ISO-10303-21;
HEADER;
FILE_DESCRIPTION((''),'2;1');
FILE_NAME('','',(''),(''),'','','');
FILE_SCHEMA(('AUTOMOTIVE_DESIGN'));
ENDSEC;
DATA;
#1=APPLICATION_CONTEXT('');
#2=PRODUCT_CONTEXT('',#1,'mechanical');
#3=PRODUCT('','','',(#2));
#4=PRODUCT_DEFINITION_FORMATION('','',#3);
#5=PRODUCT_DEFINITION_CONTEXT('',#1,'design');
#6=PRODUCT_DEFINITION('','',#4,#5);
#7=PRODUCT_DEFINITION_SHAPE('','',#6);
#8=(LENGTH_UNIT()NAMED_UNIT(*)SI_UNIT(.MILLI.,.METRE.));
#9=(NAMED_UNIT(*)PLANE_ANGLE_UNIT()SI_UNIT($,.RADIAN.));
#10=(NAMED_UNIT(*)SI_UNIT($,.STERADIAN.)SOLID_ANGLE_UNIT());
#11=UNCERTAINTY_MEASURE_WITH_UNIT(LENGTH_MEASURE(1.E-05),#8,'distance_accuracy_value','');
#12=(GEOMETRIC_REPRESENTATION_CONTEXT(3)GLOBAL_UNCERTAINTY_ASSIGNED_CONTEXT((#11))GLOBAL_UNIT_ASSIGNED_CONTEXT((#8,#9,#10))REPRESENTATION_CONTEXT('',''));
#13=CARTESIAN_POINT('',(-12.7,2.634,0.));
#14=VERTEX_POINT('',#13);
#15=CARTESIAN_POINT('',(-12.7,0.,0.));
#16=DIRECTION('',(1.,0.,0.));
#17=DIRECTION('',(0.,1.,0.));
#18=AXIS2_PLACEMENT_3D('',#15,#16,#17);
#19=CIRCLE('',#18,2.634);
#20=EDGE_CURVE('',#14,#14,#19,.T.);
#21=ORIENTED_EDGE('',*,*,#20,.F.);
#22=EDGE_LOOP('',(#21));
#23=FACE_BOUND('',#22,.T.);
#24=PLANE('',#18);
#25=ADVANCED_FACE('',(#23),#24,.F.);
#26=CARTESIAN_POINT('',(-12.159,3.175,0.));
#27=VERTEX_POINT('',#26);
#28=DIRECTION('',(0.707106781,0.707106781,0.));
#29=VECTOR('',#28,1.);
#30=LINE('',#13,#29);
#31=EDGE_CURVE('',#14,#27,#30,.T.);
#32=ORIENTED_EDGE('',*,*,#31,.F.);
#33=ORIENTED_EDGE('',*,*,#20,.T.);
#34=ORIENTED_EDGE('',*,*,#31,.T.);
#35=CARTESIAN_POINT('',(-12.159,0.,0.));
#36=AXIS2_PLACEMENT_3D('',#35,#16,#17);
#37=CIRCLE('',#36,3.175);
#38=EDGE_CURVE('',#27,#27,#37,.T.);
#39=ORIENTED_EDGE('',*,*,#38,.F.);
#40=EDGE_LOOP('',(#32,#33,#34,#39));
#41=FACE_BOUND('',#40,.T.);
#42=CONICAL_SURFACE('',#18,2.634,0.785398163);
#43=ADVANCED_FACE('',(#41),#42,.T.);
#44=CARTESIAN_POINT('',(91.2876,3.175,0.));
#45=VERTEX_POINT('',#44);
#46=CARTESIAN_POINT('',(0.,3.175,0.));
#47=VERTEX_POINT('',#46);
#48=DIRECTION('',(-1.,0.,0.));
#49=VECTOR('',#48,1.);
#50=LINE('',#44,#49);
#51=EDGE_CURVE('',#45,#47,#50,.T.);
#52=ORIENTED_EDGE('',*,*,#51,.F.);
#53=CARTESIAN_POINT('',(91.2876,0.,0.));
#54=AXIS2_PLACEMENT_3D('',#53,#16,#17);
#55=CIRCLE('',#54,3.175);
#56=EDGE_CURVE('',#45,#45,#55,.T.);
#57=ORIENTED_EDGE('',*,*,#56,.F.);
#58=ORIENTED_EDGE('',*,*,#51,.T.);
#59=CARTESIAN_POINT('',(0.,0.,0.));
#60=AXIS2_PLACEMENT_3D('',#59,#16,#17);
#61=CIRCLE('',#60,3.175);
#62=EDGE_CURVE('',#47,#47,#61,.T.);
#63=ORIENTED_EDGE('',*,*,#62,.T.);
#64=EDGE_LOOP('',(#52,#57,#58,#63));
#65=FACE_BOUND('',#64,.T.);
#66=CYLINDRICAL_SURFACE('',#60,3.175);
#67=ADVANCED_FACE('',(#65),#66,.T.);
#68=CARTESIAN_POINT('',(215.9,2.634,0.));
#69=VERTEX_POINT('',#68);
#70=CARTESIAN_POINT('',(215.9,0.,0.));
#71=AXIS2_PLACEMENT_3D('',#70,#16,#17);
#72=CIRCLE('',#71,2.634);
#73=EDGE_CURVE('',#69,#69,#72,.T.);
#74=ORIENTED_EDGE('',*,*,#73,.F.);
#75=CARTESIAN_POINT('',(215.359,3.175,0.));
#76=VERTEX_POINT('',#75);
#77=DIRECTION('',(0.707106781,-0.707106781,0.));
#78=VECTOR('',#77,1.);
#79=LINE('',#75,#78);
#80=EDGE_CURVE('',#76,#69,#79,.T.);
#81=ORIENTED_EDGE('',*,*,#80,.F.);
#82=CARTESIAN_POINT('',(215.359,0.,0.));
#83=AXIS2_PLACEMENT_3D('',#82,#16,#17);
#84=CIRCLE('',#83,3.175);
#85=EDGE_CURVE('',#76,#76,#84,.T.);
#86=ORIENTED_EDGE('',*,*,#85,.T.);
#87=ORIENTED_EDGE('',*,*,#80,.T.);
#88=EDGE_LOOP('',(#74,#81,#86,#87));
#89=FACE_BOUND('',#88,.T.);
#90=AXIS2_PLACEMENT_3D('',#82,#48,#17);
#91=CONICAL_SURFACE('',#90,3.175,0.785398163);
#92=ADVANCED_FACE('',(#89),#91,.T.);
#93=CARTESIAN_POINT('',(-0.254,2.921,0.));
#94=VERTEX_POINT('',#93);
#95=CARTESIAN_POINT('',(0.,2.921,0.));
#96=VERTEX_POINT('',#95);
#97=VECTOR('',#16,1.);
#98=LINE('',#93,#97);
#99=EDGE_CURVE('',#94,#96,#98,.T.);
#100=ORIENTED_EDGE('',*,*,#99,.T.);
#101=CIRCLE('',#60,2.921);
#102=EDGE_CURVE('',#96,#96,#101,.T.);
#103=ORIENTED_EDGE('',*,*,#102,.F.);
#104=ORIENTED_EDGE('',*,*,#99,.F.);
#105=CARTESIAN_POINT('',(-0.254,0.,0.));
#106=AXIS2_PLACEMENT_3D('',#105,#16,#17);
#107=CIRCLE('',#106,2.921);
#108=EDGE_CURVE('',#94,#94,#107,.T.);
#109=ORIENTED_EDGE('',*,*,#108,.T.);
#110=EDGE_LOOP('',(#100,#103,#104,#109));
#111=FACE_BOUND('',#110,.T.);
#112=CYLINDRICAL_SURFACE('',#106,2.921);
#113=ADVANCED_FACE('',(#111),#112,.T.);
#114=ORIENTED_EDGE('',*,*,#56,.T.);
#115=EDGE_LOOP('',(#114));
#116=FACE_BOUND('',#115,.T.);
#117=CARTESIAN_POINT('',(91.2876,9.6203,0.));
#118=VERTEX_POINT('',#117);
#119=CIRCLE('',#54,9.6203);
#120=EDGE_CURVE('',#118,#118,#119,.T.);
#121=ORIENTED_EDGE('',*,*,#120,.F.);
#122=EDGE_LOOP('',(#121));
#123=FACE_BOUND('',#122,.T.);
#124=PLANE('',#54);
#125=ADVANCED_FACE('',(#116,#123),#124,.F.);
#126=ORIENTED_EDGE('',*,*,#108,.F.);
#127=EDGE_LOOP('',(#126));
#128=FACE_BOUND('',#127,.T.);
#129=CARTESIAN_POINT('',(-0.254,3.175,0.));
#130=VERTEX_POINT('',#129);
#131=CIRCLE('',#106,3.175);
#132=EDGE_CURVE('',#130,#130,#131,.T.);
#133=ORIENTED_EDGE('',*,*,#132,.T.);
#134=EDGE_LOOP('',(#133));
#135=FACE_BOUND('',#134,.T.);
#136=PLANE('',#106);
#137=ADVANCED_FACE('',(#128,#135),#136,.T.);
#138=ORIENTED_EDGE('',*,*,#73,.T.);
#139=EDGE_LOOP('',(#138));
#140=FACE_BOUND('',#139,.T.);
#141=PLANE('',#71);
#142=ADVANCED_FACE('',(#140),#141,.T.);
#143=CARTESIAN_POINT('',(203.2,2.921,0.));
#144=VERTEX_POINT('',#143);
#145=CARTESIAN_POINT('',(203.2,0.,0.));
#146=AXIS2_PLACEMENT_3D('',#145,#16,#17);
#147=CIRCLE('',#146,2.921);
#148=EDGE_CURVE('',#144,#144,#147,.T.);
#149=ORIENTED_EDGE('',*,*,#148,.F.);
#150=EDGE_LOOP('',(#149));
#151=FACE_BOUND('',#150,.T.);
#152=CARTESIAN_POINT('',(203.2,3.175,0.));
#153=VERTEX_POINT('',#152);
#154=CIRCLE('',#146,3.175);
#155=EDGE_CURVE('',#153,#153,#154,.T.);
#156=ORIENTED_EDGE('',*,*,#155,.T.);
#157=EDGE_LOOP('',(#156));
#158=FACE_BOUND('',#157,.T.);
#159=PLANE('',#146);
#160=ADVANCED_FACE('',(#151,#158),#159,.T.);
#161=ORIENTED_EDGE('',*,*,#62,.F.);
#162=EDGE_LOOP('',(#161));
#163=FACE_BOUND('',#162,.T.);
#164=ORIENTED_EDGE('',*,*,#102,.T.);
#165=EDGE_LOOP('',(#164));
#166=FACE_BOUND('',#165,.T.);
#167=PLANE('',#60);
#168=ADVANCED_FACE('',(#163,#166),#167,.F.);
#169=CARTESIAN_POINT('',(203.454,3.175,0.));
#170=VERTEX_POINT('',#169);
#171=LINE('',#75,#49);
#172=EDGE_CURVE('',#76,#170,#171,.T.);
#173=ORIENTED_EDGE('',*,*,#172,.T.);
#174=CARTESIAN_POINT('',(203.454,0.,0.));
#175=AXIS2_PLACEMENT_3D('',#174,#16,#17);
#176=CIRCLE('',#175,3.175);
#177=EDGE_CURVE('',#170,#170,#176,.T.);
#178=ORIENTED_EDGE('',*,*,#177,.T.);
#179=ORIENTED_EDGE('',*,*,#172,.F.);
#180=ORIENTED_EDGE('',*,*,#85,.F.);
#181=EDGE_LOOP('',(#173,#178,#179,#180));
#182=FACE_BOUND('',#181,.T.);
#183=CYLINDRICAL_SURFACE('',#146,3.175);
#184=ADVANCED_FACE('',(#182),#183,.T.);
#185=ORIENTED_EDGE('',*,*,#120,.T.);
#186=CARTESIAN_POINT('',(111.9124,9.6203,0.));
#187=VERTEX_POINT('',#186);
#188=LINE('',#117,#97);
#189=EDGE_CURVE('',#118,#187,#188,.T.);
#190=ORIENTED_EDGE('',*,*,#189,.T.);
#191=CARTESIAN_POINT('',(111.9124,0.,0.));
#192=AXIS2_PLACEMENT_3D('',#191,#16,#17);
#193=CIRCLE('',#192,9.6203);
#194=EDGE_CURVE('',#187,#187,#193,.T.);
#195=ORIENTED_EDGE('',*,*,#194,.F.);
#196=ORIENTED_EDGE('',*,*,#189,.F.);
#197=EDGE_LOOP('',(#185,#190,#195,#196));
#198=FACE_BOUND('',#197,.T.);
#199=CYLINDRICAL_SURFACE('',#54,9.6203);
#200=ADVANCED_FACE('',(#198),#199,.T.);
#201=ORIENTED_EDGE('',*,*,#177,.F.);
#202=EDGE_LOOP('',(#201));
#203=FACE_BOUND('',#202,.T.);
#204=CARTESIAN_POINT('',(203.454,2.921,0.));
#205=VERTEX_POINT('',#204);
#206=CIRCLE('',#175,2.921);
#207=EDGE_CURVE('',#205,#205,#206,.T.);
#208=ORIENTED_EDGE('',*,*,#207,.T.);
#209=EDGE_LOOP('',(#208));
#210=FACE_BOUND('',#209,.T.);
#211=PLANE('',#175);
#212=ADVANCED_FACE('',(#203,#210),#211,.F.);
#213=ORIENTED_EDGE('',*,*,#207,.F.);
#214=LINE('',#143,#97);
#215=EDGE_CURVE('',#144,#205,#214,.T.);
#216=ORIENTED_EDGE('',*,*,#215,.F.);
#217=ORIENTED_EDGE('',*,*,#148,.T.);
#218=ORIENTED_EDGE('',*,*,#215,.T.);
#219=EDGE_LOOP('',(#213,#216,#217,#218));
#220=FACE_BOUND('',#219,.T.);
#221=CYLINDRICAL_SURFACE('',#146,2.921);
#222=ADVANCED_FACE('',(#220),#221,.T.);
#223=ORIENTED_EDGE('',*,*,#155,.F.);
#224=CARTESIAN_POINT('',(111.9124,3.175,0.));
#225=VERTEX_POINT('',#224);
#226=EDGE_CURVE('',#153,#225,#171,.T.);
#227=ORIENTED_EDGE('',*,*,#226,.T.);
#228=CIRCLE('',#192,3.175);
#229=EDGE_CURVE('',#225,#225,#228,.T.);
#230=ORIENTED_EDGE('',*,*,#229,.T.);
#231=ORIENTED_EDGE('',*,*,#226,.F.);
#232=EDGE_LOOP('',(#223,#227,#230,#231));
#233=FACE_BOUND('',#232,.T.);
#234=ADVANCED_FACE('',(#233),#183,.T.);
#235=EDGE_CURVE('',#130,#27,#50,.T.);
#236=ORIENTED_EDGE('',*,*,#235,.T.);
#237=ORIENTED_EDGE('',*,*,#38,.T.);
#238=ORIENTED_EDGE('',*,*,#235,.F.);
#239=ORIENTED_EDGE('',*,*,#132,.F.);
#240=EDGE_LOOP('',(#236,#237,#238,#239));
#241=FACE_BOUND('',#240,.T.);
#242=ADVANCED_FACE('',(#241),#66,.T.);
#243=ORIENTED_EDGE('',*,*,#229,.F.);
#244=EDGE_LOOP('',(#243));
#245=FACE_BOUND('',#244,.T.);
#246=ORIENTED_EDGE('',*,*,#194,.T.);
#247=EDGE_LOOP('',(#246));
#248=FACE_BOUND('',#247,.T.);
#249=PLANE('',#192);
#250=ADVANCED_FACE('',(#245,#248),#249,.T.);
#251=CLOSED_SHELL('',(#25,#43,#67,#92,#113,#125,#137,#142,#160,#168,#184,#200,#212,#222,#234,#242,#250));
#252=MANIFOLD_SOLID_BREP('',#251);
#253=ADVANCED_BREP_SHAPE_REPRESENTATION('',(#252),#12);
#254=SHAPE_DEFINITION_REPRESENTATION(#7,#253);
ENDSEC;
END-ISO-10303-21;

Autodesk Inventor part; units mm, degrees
sketch "Sketch_1" plane through (0, 0, 0) normal (0, 0, 1) x (1, 0, 0)
  line L0 (111.9124, 0) -> (0, 0)
  line L1 (0, 0) -> (0, 3.175)
  line L2 (0, 3.175) -> (91.2876, 3.175)
  line L3 (91.2876, 3.175) -> (91.2876, 9.6203)
  line L4 (91.2876, 9.6203) -> (111.9124, 9.6203)
  line L5 (111.9124, 9.6203) -> (111.9124, 0)
  line L6 (111.9124, 0) -> (0, 0)
revolve "Revolution1" add sketch "Sketch_1" angle 360 about axis through (111.9124, 0, 0) along (1, 0, 0)
sketch "Sketch_3" plane through (0, 0, 0) normal (0, 0, 1) x (1, 0, 0)
  line L0 (0, 0) -> (-12.7, 0)
  line L1 (-12.7, 0) -> (-12.7, 2.634)
  line L2 (-12.7, 2.634) -> (-12.159, 3.175)
  line L3 (-12.159, 3.175) -> (0, 3.175)
  line L4 (0, 3.175) -> (0, 0)
  line L5 (0, 0) -> (-12.7, 0)
revolve "Revolution2" add sketch "Sketch_3" angle 360 about axis through (0, 0, 0) along (1, 0, 0)
sketch "Sketch_6" plane through (0, 0, 0) normal (0, 0, 1) x (1, 0, 0)
  line L0 (203.2, 0) -> (111.9124, 0)
  line L1 (111.9124, 0) -> (111.9124, 3.175)
  line L2 (111.9124, 3.175) -> (203.2, 3.175)
  line L3 (203.2, 3.175) -> (203.2, 0)
  line L4 (203.2, 0) -> (111.9124, 0)
revolve "Revolution3" add sketch "Sketch_6" angle 360 about axis through (203.2, 0, 0) along (1, 0, 0)
sketch "Sketch_7" plane through (0, 0, 0) normal (0, 0, 1) x (1, 0, 0)
  line L0 (215.9, 0) -> (203.2, 0)
  line L1 (203.2, 0) -> (203.2, 3.175)
  line L2 (203.2, 3.175) -> (215.359, 3.175)
  line L3 (215.359, 3.175) -> (215.9, 2.634)
  line L4 (215.9, 2.634) -> (215.9, 0)
  line L5 (215.9, 0) -> (203.2, 0)
revolve "Revolution4" add sketch "Sketch_7" angle 360 about axis through (215.9, 0, 0) along (1, 0, 0)
sketch "Sketch_30" plane through (0, 0, 0) normal (0, 0, 1) x (1, 0, 0)
  line L0 (0, 0) -> (-0.254, 0)
  line L1 (-0.254, 3.429) -> (-0.254, 2.921)
  line L2 (-0.254, 2.921) -> (0, 2.921)
  line L3 (0, 2.921) -> (0, 3.429)
  line L4 (0, 3.429) -> (-0.254, 3.429)
revolve "Revolution5" cut sketch "Sketch_30" angle 360 about axis through (0, 0, 0) along (1, 0, 0)
sketch "Sketch_40" plane through (0, 0, 0) normal (0, 0, 1) x (1, 0, 0)
  line L0 (203.454, 0) -> (203.2, 0)
  line L1 (203.2, 3.429) -> (203.2, 2.921)
  line L2 (203.2, 2.921) -> (203.454, 2.921)
  line L3 (203.454, 2.921) -> (203.454, 3.429)
  line L4 (203.454, 3.429) -> (203.2, 3.429)
revolve "Revolution6" cut sketch "Sketch_40" angle 360 about axis through (203.454, 0, 0) along (1, 0, 0)
ref_plane "rod_cp_XY" through (0, 0, 0) normal (1, 0, 0) x (0, 0, -1)
ref_plane "rod_cp_YZ" through (0, 0, 0) normal (0, 0, -1) x (0, 1, 0)
ref_plane "rod_cp_ZX" through (0, 0, 0) normal (0, 1, 0) x (1, 0, 0)
ref_plane "to_rod_clevis_XY" through (-12.7, 0, 0) normal (1, 0, 0) x (0, 0, -1)
ref_plane "to_rod_clevis_YZ" through (-12.7, 0, 0) normal (0, 0, -1) x (0, 1, 0)
ref_plane "to_rod_clevis_ZX" through (-12.7, 0, 0) normal (0, 1, 0) x (1, 0, 0)
ref_plane "rl2_XY" through (0, 0, 0) normal (1, 0, 0) x (0, 0, -1)
ref_plane "rl2_YZ" through (0, 0, 0) normal (0, 0, -1) x (0, 1, 0)
ref_plane "rl2_ZX" through (0, 0, 0) normal (0, 1, 0) x (1, 0, 0)
ref_plane "rl1_XY" through (-12.7, 0, 0) normal (1, 0, 0) x (0, 0, -1)
ref_plane "rl1_YZ" through (-12.7, 0, 0) normal (0, 0, -1) x (0, 1, 0)
ref_plane "rl1_ZX" through (-12.7, 0, 0) normal (0, 1, 0) x (1, 0, 0)
ref_plane "rl1_der_XY" through (215.9, 0, 0) normal (1, 0, 0) x (0, 0, -1)
ref_plane "rl1_der_YZ" through (215.9, 0, 0) normal (0, 0, -1) x (0, 1, 0)
ref_plane "rl1_der_ZX" through (215.9, 0, 0) normal (0, 1, 0) x (1, 0, 0)
ref_plane "rl2_der_XY" through (203.2, 0, 0) normal (1, 0, 0) x (0, 0, -1)
ref_plane "rl2_der_YZ" through (203.2, 0, 0) normal (0, 0, -1) x (0, 1, 0)
ref_plane "rl2_der_ZX" through (203.2, 0, 0) normal (0, 1, 0) x (1, 0, 0)
ref_plane "thd1_XY" through (-12.7, 3.175, 0) normal (1, 0, 0) x (0, 0, -1)
ref_plane "thd1_YZ" through (-12.7, 3.175, 0) normal (0, 0, -1) x (0, 1, 0)
ref_plane "thd1_ZX" through (-12.7, 3.175, 0) normal (0, 1, 0) x (1, 0, 0)
ref_plane "thd2_XY" through (-12.7, -3.175, 0) normal (1, 0, 0) x (0, 0, -1)
ref_plane "thd2_YZ" through (-12.7, -3.175, 0) normal (0, 0, -1) x (0, 1, 0)
ref_plane "thd2_ZX" through (-12.7, -3.175, 0) normal (0, 1, 0) x (1, 0, 0)
ref_plane "dia1_XY" through (0, 3.175, 0) normal (1, 0, 0) x (0, 0, -1)
ref_plane "dia1_YZ" through (0, 3.175, 0) normal (0, 0, -1) x (0, 1, 0)
ref_plane "dia1_ZX" through (0, 3.175, 0) normal (0, 1, 0) x (1, 0, 0)
ref_plane "dia2_XY" through (0, -3.175, 0) normal (1, 0, 0) x (0, 0, -1)
ref_plane "dia2_YZ" through (0, -3.175, 0) normal (0, 0, -1) x (0, 1, 0)
ref_plane "dia2_ZX" through (0, -3.175, 0) normal (0, 1, 0) x (1, 0, 0)
ref_plane "stroke1_XY" through (0, 0, 0) normal (1, 0, 0) x (0, 0, -1)
ref_plane "stroke1_YZ" through (0, 0, 0) normal (0, 0, -1) x (0, 1, 0)
ref_plane "stroke1_ZX" through (0, 0, 0) normal (0, 1, 0) x (1, 0, 0)
ref_plane "dia12_XY" through (0, 0, 10.9537) normal (1, 0, 0) x (0, 0, -1)
ref_plane "dia12_YZ" through (0, 0, 10.9537) normal (0, 0, -1) x (0, 1, 0)
ref_plane "dia12_ZX" through (0, 0, 10.9537) normal (0, 1, 0) x (1, 0, 0)
ref_plane "dia22_XY" through (0, 0, -10.9537) normal (1, 0, 0) x (0, 0, -1)
ref_plane "dia22_YZ" through (0, 0, -10.9537) normal (0, 0, -1) x (0, 1, 0)
ref_plane "dia22_ZX" through (0, 0, -10.9537) normal (0, 1, 0) x (1, 0, 0)
properties part number "042-DXDE0_rod"
